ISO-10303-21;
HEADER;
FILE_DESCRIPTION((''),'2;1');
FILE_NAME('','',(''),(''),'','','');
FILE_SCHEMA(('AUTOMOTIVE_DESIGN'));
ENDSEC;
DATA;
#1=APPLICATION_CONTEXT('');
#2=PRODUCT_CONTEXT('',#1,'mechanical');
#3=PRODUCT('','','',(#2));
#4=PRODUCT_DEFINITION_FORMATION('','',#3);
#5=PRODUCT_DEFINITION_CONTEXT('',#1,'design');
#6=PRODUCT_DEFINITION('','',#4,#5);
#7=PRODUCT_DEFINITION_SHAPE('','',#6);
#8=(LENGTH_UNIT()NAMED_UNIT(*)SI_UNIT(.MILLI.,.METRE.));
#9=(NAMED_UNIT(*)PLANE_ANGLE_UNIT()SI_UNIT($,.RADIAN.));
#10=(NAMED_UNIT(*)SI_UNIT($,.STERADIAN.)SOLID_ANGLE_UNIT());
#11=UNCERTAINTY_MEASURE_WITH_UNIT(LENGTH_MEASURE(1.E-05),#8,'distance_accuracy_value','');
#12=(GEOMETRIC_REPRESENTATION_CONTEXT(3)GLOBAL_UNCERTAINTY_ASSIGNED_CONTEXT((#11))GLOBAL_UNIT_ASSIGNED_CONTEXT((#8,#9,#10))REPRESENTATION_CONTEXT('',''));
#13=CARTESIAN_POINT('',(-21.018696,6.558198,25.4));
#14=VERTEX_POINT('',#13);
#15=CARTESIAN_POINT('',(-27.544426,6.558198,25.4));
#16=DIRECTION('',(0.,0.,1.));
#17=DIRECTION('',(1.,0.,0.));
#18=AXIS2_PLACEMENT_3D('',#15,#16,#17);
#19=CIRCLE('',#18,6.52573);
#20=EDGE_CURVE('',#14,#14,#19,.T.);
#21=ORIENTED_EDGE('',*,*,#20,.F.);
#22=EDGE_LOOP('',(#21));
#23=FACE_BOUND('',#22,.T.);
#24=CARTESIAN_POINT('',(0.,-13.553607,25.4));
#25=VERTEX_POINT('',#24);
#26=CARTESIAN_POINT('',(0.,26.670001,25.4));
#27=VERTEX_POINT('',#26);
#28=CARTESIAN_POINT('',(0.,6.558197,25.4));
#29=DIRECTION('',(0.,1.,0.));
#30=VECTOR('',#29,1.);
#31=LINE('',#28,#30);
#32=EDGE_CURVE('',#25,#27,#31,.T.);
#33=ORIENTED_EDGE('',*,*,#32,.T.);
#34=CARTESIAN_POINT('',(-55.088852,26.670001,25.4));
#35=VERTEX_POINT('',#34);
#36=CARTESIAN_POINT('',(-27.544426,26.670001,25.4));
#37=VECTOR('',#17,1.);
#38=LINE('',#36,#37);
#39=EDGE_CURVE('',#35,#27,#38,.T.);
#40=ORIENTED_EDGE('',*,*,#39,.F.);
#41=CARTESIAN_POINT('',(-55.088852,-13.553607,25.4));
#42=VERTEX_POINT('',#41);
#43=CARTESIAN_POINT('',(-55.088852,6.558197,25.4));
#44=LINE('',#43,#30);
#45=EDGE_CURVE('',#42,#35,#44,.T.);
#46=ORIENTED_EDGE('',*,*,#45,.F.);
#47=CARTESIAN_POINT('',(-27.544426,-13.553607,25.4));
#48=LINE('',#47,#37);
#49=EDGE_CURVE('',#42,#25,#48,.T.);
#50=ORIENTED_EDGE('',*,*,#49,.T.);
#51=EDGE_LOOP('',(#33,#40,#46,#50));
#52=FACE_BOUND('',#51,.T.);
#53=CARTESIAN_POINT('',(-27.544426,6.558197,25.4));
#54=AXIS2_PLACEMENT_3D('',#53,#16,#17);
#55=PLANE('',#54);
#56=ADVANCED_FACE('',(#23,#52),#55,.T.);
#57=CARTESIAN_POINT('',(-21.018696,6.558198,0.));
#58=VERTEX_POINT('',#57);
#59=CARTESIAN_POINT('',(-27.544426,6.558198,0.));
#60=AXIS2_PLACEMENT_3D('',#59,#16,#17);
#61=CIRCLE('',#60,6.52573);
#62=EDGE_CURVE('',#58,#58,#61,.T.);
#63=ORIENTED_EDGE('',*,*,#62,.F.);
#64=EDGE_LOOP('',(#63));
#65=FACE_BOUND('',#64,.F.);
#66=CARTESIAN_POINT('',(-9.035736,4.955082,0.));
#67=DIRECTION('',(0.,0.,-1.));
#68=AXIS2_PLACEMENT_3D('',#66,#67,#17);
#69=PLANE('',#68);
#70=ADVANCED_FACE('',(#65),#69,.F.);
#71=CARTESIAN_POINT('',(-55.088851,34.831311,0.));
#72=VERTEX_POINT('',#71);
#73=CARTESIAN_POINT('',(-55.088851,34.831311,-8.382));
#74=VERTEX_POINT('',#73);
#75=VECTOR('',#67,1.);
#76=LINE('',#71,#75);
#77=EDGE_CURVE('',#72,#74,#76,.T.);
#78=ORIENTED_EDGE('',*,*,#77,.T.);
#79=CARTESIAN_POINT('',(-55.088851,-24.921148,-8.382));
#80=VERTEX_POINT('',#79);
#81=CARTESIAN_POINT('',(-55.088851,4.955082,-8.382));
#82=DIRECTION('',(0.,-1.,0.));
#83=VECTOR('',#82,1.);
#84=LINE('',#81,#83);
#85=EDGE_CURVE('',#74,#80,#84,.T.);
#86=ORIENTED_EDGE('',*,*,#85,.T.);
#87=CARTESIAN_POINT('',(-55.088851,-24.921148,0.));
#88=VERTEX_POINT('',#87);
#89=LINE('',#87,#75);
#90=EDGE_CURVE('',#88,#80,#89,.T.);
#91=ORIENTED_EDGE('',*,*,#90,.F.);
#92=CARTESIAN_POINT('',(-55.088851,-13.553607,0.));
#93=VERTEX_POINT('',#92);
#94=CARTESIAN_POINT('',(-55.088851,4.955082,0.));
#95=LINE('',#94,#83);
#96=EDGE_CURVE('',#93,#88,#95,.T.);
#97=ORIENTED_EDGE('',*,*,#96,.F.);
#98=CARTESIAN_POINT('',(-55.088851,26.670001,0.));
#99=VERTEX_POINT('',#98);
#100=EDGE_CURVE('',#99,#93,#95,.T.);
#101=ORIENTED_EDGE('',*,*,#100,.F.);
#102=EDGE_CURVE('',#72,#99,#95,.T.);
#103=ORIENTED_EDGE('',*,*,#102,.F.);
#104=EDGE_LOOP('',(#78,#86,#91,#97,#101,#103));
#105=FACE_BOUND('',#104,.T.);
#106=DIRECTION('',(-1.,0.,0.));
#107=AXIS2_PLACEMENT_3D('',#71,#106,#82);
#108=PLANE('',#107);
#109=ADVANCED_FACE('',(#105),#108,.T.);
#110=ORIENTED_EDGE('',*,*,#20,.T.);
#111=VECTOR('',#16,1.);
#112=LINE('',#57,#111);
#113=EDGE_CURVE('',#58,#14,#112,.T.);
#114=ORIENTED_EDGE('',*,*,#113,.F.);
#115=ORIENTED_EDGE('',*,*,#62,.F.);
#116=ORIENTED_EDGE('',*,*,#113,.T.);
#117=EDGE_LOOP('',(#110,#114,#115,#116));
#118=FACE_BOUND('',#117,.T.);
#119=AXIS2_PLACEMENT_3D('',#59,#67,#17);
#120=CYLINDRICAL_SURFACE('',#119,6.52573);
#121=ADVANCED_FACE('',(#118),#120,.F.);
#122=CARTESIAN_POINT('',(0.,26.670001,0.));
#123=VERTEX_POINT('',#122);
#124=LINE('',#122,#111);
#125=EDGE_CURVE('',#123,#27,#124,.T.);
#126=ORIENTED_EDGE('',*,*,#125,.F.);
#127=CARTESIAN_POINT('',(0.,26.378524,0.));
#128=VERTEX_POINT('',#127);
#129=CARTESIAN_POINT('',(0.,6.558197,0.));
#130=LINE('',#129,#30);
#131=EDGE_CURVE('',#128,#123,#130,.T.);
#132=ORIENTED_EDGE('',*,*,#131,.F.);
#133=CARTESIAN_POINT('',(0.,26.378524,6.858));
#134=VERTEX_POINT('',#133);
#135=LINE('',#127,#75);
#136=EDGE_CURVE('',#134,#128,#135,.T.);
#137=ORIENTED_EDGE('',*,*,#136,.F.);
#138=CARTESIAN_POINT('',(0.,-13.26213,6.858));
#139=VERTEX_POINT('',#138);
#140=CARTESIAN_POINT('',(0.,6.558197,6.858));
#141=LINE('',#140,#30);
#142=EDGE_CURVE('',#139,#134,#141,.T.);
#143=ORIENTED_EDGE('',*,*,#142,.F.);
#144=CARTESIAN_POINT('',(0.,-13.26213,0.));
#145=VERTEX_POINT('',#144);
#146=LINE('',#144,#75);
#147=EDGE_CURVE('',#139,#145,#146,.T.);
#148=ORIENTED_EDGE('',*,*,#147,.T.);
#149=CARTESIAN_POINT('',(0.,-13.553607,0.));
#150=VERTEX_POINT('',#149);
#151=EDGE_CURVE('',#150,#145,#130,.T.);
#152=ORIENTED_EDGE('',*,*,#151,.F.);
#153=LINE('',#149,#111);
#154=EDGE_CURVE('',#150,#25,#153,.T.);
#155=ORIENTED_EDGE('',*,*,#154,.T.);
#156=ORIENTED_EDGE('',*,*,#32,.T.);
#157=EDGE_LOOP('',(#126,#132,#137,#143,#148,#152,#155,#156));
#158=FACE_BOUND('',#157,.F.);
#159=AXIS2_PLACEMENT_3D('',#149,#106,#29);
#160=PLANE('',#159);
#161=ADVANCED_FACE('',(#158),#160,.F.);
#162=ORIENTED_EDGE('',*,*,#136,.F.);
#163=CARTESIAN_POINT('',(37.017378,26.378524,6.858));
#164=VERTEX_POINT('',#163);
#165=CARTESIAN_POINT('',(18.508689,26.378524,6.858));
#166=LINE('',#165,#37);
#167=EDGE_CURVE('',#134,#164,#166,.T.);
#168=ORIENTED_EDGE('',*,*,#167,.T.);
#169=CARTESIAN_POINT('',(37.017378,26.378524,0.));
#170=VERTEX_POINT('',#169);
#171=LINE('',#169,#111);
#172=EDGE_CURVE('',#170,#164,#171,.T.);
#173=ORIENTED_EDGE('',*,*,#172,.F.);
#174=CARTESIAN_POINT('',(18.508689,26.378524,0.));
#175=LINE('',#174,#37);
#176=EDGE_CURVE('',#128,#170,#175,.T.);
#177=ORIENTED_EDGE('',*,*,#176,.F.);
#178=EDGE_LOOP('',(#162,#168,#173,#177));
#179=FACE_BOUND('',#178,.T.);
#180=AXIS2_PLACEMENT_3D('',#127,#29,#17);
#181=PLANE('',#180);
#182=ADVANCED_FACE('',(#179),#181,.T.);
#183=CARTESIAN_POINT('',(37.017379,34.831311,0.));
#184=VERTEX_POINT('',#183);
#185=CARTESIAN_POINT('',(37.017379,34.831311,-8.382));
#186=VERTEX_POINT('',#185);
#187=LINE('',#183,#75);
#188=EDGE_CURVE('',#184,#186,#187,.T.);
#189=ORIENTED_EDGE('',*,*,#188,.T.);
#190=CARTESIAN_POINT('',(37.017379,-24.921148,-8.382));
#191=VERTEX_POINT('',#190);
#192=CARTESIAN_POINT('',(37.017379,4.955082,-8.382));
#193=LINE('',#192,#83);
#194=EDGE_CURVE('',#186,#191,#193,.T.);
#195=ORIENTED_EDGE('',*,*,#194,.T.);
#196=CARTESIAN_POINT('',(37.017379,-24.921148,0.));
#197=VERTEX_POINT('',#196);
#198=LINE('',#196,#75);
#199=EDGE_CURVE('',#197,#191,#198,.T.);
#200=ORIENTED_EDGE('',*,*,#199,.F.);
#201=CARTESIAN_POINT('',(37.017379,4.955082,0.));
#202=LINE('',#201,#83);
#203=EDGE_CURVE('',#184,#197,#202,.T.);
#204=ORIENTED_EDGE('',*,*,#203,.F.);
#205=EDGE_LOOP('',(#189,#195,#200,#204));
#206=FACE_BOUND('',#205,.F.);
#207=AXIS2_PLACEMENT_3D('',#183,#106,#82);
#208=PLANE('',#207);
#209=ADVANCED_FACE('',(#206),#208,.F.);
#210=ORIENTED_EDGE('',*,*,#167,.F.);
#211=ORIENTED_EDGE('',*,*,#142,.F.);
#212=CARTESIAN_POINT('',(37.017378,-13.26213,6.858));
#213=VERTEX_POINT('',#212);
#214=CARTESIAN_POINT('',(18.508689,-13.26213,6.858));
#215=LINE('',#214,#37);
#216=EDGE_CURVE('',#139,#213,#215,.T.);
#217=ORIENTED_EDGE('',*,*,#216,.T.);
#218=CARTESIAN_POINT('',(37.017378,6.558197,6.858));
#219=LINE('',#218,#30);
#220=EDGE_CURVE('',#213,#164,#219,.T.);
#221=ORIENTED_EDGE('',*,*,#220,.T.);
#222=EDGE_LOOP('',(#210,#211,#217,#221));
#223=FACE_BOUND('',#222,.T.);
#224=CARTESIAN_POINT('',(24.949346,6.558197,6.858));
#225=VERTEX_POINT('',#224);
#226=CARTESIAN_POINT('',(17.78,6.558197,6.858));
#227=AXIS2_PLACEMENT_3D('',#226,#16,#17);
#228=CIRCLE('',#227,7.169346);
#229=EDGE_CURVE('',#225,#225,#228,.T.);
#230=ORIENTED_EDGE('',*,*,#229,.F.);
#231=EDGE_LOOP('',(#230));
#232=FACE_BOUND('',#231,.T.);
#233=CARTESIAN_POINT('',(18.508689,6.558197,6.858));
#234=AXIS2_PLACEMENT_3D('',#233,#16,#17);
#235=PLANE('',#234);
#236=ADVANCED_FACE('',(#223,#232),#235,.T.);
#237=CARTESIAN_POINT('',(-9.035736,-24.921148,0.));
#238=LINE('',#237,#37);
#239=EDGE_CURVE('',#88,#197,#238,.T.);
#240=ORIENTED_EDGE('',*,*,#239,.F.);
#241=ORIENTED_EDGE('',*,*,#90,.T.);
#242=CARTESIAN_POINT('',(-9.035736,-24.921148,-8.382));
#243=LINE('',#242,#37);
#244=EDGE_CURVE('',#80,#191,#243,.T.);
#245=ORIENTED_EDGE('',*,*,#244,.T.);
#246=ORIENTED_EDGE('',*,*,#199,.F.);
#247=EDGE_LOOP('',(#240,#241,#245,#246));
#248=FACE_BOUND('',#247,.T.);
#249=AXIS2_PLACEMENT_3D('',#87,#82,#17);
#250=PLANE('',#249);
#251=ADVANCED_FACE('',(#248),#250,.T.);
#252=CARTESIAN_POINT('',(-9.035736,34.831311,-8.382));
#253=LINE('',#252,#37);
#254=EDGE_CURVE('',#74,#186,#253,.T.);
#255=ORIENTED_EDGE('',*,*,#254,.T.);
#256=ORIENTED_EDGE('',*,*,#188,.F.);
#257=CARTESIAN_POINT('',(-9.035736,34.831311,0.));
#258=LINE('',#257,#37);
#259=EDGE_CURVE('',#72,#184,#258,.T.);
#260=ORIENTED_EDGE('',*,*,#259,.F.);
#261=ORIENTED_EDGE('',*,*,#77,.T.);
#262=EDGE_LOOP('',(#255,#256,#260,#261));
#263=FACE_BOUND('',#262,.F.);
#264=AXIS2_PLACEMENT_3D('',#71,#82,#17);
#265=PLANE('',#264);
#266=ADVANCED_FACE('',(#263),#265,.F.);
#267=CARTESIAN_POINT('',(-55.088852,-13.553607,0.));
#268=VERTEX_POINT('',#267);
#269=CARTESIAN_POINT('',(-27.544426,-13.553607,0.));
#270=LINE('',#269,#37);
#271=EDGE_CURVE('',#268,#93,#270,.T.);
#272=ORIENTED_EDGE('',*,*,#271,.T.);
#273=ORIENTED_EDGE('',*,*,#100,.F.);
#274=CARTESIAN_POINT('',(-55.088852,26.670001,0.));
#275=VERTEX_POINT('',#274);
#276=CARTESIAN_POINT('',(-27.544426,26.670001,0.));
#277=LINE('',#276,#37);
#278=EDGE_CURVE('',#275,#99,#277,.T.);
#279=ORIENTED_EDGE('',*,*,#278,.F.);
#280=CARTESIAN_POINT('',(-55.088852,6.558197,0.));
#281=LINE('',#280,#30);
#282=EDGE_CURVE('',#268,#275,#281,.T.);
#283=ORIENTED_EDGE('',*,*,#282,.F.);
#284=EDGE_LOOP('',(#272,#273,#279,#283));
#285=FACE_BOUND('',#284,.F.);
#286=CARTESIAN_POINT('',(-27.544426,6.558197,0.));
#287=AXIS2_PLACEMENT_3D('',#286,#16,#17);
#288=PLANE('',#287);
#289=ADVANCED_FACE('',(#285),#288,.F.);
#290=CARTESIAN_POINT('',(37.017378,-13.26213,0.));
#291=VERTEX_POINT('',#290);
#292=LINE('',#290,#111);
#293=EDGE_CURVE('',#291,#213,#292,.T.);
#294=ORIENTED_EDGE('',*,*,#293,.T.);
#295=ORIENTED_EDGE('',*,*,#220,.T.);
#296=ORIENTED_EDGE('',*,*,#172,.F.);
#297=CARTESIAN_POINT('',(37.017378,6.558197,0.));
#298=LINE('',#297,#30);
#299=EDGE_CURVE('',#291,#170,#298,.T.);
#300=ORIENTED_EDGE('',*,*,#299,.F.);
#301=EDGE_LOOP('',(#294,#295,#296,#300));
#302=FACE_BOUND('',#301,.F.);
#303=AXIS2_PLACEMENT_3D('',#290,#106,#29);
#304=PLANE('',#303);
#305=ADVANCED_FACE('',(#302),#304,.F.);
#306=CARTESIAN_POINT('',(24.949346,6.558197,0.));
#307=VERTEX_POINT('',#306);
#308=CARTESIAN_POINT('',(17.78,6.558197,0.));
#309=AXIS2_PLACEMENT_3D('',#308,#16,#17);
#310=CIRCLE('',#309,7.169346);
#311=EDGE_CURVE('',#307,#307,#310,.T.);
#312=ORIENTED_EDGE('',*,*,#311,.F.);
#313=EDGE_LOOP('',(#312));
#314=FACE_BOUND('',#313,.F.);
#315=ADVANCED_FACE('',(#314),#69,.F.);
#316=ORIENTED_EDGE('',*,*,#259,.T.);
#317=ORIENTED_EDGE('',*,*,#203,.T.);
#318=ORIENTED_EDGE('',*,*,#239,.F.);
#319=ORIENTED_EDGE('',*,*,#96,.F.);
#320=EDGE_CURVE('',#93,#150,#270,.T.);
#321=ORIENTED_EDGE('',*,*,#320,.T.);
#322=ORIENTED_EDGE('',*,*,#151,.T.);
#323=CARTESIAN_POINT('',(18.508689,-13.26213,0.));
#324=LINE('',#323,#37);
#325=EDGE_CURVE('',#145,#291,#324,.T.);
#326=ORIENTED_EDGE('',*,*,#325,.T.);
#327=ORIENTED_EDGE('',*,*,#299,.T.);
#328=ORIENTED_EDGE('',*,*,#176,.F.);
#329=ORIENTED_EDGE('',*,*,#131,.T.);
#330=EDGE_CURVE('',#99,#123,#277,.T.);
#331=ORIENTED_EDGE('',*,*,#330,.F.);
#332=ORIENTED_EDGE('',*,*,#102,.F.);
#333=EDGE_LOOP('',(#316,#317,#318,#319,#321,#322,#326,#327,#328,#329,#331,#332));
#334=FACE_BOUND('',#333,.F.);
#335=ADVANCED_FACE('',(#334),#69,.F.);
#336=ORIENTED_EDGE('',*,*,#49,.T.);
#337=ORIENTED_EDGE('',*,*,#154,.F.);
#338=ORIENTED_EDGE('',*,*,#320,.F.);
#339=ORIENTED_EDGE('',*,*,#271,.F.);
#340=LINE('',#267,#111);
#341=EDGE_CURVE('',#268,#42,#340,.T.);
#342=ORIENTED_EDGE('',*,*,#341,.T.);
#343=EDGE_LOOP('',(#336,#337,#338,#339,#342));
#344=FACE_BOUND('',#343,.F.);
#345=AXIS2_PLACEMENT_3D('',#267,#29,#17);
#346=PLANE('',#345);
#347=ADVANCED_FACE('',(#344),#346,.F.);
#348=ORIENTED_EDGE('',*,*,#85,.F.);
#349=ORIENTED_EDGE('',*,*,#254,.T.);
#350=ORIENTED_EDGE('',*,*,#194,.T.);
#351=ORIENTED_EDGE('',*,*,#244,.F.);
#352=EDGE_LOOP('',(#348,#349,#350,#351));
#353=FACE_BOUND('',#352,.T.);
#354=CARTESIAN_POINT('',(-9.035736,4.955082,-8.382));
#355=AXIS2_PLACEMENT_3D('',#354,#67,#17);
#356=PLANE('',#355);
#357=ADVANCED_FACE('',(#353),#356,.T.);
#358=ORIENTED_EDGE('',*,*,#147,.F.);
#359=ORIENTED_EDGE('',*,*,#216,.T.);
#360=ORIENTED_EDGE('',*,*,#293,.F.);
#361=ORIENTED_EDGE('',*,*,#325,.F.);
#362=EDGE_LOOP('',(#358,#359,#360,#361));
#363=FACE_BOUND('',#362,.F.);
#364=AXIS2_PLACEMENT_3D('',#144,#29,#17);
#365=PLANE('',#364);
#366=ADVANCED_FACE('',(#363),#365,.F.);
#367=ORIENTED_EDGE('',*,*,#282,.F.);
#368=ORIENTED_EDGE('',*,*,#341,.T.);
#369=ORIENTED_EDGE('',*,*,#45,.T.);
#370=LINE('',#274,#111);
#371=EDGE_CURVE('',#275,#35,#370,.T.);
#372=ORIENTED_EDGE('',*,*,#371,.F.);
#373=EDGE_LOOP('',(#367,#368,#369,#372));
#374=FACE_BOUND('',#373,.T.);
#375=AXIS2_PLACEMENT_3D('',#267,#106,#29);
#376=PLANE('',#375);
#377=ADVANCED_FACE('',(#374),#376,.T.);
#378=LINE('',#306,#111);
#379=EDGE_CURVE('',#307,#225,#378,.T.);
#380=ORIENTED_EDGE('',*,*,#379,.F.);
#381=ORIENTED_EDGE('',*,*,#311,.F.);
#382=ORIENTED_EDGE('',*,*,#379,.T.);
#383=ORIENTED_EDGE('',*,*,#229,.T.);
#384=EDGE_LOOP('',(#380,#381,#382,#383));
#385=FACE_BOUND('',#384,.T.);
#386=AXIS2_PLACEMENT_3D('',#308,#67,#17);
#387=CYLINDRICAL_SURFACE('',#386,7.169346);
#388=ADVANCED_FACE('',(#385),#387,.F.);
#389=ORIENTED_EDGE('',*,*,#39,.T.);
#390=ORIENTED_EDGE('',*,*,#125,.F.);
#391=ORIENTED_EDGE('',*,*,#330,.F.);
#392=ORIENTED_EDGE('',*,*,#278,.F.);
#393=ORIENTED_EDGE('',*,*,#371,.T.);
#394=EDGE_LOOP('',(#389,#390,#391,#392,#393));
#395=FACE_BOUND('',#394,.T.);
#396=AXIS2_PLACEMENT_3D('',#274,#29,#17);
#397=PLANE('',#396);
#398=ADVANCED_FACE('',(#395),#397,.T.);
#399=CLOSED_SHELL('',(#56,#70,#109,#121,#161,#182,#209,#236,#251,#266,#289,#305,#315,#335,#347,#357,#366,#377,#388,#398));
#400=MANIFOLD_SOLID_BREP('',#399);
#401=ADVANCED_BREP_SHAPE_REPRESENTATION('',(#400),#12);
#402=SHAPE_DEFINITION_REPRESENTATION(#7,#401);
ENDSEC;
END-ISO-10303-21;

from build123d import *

# Parameters (mm, degrees)
F0_W     = 55.088852
F0_H     = 40.223607
F0_R     = 6.52573
F1_DEPTH = 25.4
F2_W     = 37.017379
F2_H     = 39.640654
F2_R     = 7.169346
F3_DEPTH = 6.858
F4_W     = 92.106231
F4_H     = 59.752459
F5_DEPTH = 8.382


with BuildPart() as f1:
    # F0 (on Top) → F1 (new body)
    with BuildSketch(Plane.XY):
        with Locations((-27.544426, 6.558197)):
            Rectangle(F0_W, F0_H)
        with Locations((-27.544426, 6.558198)):
            Circle(F0_R, mode=Mode.SUBTRACT)
    extrude(amount=F1_DEPTH)

    # F2 (on Top) → F3 (join)
    with BuildSketch(Plane.XY):
        with Locations((18.508689, 6.558197)):
            Rectangle(F2_W, F2_H)
        with Locations((17.78, 6.558197)):
            Circle(F2_R, mode=Mode.SUBTRACT)
    extrude(amount=F3_DEPTH)

    # F4 (on face) → F5 (join)
    with BuildSketch(Plane(origin=(0, 0, 0), x_dir=(1, 0, 0), z_dir=(0, 0, -1))):
        with Locations((-9.035736, -4.955082)):
            Rectangle(F4_W, F4_H)
    extrude(amount=F5_DEPTH)


solid = f1.part
